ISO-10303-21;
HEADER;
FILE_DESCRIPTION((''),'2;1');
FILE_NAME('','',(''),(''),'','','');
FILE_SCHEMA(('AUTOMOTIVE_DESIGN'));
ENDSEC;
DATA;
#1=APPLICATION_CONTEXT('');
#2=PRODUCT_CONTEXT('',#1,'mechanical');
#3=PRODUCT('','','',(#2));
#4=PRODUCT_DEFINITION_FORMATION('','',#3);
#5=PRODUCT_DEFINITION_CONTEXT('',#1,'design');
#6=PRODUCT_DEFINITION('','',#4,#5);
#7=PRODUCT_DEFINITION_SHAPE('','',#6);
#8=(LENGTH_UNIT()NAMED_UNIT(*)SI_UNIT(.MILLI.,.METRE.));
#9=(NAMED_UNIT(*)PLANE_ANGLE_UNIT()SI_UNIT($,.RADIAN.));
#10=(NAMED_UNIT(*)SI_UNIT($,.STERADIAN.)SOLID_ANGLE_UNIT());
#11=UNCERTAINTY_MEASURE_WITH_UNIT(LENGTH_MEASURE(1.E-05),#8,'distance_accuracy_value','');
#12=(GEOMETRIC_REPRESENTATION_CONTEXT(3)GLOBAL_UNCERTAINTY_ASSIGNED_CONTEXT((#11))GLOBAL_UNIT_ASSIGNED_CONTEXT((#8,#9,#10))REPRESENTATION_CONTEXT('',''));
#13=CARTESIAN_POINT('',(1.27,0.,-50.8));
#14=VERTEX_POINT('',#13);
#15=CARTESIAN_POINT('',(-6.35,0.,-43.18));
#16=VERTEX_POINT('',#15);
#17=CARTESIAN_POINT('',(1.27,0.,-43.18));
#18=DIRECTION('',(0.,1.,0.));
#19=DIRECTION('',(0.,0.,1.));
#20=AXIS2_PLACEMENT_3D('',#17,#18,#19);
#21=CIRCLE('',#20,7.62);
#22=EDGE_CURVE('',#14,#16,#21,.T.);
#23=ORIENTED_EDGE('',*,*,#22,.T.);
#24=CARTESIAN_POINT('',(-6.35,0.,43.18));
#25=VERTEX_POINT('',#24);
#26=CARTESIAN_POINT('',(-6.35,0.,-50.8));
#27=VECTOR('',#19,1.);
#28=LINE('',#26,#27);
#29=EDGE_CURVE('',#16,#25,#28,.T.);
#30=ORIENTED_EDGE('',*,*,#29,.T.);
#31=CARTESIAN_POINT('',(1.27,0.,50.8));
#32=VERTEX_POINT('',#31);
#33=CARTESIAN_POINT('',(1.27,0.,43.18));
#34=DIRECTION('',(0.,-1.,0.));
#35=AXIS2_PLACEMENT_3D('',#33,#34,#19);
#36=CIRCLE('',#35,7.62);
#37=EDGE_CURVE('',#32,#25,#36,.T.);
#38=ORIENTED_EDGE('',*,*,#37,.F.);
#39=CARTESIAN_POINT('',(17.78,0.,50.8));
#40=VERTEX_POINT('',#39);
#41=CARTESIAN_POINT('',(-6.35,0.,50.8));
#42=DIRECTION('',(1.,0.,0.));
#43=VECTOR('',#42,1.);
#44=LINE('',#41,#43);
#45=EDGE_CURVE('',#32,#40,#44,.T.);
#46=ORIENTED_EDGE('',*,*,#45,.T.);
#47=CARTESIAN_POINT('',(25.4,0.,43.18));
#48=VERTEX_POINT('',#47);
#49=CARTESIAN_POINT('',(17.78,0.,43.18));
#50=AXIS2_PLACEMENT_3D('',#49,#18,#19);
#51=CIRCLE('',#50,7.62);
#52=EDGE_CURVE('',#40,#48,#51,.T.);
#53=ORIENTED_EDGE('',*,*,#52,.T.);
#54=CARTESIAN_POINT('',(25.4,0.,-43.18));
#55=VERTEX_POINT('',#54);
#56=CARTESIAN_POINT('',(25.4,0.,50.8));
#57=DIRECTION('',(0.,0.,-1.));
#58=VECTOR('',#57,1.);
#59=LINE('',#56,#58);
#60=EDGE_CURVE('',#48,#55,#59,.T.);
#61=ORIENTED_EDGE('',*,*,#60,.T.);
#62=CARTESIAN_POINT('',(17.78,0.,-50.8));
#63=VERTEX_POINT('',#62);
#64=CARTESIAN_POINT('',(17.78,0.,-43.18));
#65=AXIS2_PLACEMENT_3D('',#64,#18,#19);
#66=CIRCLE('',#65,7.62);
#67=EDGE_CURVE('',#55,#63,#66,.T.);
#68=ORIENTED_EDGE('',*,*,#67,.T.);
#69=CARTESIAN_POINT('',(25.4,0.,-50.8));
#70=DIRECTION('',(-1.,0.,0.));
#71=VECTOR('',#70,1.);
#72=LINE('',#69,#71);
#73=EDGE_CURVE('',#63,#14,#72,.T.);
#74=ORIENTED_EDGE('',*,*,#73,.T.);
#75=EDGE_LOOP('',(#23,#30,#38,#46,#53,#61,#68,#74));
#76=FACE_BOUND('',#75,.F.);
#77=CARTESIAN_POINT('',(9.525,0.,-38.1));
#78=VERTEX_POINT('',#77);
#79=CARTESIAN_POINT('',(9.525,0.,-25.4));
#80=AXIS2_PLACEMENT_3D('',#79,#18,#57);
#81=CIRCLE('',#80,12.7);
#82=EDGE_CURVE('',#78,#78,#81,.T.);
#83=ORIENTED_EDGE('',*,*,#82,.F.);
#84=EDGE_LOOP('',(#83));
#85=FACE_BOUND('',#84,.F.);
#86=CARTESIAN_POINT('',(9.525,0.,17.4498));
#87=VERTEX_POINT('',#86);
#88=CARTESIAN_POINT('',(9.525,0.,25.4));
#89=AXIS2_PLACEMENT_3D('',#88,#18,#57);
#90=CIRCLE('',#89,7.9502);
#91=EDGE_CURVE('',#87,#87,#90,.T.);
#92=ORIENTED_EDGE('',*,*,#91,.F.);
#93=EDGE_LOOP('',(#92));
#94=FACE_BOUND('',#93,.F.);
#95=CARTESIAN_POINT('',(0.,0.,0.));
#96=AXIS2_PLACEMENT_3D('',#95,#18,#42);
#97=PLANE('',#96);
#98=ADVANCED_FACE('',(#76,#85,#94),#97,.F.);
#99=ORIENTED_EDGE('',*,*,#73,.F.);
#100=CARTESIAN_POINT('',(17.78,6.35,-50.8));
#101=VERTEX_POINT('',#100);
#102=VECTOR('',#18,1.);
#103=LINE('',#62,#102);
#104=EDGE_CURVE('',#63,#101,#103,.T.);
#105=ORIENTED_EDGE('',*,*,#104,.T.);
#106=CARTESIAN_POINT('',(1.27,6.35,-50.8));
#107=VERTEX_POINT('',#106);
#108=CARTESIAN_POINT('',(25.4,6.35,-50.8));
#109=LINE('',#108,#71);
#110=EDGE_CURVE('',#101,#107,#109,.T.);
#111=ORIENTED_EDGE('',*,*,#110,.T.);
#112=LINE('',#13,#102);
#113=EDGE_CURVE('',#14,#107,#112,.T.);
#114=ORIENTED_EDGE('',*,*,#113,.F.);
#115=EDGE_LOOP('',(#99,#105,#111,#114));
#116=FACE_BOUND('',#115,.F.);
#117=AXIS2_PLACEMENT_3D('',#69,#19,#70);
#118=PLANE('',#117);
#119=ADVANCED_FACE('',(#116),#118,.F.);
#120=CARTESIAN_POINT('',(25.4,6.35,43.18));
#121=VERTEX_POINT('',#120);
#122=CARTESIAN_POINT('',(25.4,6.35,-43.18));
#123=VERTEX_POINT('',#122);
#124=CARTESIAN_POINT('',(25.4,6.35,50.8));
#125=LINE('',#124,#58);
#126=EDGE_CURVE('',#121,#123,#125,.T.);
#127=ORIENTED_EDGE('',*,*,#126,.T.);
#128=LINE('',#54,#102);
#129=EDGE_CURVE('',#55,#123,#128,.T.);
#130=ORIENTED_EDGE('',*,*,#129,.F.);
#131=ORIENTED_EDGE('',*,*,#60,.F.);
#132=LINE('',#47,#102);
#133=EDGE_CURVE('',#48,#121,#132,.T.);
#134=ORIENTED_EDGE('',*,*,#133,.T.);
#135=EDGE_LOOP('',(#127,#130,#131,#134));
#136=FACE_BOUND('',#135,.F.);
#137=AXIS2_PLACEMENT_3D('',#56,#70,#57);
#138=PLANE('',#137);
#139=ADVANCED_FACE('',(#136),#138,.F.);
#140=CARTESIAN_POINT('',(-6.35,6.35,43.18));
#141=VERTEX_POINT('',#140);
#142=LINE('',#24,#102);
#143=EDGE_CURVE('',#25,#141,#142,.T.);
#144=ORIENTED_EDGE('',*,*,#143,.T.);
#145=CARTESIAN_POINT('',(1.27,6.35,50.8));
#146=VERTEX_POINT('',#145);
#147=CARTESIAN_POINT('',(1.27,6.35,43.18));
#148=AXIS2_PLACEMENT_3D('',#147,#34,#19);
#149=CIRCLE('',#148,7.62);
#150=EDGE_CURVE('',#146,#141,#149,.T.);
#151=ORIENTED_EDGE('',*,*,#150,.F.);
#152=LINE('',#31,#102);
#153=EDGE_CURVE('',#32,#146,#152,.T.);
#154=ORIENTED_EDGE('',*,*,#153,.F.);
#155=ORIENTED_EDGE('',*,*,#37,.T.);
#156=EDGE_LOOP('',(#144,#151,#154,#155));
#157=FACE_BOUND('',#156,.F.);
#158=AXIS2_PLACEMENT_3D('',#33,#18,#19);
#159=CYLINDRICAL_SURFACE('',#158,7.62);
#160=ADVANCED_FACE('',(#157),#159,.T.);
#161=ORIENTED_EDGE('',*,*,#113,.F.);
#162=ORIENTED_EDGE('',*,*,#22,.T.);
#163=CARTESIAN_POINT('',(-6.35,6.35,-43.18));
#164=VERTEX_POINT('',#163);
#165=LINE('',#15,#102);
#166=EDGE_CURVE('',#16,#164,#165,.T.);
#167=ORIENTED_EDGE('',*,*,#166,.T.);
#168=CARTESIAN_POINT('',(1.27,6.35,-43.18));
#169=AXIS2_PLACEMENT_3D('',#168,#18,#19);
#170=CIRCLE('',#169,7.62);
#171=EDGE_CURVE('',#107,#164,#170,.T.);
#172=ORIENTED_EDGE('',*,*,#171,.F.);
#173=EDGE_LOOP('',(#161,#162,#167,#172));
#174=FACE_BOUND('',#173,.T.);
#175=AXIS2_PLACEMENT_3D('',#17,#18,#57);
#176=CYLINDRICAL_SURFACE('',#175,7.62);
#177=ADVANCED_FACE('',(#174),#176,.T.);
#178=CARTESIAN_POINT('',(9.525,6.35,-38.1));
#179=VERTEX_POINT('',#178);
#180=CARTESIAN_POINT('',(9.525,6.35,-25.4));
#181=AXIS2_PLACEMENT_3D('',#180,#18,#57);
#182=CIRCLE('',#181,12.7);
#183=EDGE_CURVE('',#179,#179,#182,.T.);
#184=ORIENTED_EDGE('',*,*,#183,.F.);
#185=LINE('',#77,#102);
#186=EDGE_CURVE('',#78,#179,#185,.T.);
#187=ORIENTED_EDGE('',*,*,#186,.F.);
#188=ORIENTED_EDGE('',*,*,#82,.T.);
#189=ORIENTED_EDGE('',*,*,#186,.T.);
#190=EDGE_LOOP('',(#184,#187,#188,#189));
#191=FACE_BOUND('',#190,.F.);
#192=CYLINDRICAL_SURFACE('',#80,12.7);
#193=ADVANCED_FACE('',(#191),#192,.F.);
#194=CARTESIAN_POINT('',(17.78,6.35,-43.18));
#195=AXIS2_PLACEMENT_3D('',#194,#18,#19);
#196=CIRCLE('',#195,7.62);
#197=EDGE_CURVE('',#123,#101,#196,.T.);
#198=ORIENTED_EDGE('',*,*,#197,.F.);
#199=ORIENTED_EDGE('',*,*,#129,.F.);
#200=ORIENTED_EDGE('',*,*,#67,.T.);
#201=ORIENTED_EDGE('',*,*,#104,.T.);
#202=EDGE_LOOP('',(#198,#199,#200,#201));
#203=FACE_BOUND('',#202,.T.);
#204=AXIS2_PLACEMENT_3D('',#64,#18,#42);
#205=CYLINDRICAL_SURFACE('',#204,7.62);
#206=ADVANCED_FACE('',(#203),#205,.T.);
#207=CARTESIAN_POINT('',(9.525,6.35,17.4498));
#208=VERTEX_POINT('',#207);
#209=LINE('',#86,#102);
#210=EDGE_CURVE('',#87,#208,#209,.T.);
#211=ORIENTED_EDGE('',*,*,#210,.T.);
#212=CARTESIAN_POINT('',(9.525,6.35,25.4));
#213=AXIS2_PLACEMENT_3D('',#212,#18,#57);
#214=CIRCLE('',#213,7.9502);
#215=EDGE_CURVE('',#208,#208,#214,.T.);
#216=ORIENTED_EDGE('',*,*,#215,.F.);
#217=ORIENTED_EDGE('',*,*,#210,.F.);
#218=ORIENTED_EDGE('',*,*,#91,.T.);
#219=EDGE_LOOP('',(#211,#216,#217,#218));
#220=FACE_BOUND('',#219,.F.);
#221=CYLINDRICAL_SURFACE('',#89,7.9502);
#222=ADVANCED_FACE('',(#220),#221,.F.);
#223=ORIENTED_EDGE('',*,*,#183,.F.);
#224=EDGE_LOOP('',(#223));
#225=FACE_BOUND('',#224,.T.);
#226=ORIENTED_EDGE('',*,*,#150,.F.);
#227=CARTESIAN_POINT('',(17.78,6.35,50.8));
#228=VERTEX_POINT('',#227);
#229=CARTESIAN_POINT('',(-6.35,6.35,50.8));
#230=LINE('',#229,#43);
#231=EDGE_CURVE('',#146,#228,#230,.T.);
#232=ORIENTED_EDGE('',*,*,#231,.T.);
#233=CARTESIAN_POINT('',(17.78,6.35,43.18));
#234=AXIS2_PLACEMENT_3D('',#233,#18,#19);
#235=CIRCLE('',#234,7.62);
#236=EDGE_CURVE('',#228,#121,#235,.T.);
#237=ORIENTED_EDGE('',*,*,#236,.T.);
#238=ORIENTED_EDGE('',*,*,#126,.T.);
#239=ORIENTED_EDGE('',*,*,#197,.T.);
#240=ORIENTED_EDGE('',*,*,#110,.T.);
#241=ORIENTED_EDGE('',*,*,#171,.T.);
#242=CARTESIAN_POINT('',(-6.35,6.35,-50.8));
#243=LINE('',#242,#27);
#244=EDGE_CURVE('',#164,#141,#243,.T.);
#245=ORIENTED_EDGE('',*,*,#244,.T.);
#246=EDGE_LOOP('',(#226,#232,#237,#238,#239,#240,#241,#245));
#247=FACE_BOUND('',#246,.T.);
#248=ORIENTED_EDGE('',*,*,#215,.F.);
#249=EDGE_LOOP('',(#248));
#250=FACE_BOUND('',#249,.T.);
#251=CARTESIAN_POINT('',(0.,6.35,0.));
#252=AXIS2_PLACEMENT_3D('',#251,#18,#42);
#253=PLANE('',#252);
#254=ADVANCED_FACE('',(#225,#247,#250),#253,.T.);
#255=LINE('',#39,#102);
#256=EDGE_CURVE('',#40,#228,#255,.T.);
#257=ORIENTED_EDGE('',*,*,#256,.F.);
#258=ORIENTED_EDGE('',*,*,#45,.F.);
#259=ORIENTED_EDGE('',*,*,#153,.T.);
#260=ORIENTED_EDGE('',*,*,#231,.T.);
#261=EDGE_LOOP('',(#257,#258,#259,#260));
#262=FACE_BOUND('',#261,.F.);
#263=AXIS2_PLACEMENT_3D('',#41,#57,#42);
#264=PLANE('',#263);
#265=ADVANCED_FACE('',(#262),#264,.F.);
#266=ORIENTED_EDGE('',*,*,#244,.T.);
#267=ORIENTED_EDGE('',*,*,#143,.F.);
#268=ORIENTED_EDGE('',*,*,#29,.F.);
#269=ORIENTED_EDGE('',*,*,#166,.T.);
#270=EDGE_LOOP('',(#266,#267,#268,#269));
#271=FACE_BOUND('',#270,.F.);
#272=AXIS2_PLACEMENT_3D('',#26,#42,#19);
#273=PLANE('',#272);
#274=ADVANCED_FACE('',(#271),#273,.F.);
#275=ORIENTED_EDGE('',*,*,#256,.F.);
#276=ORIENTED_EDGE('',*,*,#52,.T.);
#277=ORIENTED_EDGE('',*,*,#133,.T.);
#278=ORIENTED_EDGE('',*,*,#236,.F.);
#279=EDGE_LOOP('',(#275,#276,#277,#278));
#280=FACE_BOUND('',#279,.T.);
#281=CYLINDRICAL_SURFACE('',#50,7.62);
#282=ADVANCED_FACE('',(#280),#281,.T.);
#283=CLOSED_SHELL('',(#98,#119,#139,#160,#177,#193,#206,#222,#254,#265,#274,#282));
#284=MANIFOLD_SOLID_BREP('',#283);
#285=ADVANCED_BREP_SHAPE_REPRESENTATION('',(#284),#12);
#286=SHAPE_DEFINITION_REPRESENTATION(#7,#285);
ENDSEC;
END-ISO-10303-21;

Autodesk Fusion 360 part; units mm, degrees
sketch "Sketch1" plane through (0, 0, 0) normal (0, 1, 0) x (1, 0, 0)
  line L0 (-6.35, -50.8) -> (25.4, -50.8)
  line L1 (25.4, -50.8) -> (25.4, 50.8)
  line L2 (25.4, 50.8) -> (-6.35, 50.8)
  line L3 (-6.35, 50.8) -> (-6.35, -50.8)
  dimension "d6" = 31.75
  dimension "d7" = 101.6
extrude "Extrude1" add sketch "Sketch1" along normal blind 6.35
hole "Hole1" at (9.525, 0, 25.4) direction (0, 1, 0) diameter 15.9004 depth 12.7 tip angle 118
hole "Hole2" at (9.525, 0, -25.4) direction (0, 1, 0) diameter 25.4 depth 12.7 tip angle 118
fillet "Fillet1" radius 7.62 1 edges at (25.4, 3.175, 50.8)
fillet "Fillet2" radius 7.62 1 edges at (-6.35, 3.175, 50.8)
fillet "Fillet3" radius 7.62 1 edges at (25.4, 3.175, -50.8)
fillet "Fillet4" radius 7.62 1 edges at (-6.35, 3.175, -50.8)
equation "Fit_Height = 4.00 in"
equation "Fit_Length = 1.25 in"
equation "Fit_Width = 0.25 in"
equation "Hole_D1 = 0.626 in"
equation "Hole_D2 = 1.00 in"
equation "d6 = Fit_Length"
equation "d7 = Fit_Height"
equation "d8 = Fit_Width"
equation "d11 = Hole_D1"
equation "d16 = Hole_D2"
